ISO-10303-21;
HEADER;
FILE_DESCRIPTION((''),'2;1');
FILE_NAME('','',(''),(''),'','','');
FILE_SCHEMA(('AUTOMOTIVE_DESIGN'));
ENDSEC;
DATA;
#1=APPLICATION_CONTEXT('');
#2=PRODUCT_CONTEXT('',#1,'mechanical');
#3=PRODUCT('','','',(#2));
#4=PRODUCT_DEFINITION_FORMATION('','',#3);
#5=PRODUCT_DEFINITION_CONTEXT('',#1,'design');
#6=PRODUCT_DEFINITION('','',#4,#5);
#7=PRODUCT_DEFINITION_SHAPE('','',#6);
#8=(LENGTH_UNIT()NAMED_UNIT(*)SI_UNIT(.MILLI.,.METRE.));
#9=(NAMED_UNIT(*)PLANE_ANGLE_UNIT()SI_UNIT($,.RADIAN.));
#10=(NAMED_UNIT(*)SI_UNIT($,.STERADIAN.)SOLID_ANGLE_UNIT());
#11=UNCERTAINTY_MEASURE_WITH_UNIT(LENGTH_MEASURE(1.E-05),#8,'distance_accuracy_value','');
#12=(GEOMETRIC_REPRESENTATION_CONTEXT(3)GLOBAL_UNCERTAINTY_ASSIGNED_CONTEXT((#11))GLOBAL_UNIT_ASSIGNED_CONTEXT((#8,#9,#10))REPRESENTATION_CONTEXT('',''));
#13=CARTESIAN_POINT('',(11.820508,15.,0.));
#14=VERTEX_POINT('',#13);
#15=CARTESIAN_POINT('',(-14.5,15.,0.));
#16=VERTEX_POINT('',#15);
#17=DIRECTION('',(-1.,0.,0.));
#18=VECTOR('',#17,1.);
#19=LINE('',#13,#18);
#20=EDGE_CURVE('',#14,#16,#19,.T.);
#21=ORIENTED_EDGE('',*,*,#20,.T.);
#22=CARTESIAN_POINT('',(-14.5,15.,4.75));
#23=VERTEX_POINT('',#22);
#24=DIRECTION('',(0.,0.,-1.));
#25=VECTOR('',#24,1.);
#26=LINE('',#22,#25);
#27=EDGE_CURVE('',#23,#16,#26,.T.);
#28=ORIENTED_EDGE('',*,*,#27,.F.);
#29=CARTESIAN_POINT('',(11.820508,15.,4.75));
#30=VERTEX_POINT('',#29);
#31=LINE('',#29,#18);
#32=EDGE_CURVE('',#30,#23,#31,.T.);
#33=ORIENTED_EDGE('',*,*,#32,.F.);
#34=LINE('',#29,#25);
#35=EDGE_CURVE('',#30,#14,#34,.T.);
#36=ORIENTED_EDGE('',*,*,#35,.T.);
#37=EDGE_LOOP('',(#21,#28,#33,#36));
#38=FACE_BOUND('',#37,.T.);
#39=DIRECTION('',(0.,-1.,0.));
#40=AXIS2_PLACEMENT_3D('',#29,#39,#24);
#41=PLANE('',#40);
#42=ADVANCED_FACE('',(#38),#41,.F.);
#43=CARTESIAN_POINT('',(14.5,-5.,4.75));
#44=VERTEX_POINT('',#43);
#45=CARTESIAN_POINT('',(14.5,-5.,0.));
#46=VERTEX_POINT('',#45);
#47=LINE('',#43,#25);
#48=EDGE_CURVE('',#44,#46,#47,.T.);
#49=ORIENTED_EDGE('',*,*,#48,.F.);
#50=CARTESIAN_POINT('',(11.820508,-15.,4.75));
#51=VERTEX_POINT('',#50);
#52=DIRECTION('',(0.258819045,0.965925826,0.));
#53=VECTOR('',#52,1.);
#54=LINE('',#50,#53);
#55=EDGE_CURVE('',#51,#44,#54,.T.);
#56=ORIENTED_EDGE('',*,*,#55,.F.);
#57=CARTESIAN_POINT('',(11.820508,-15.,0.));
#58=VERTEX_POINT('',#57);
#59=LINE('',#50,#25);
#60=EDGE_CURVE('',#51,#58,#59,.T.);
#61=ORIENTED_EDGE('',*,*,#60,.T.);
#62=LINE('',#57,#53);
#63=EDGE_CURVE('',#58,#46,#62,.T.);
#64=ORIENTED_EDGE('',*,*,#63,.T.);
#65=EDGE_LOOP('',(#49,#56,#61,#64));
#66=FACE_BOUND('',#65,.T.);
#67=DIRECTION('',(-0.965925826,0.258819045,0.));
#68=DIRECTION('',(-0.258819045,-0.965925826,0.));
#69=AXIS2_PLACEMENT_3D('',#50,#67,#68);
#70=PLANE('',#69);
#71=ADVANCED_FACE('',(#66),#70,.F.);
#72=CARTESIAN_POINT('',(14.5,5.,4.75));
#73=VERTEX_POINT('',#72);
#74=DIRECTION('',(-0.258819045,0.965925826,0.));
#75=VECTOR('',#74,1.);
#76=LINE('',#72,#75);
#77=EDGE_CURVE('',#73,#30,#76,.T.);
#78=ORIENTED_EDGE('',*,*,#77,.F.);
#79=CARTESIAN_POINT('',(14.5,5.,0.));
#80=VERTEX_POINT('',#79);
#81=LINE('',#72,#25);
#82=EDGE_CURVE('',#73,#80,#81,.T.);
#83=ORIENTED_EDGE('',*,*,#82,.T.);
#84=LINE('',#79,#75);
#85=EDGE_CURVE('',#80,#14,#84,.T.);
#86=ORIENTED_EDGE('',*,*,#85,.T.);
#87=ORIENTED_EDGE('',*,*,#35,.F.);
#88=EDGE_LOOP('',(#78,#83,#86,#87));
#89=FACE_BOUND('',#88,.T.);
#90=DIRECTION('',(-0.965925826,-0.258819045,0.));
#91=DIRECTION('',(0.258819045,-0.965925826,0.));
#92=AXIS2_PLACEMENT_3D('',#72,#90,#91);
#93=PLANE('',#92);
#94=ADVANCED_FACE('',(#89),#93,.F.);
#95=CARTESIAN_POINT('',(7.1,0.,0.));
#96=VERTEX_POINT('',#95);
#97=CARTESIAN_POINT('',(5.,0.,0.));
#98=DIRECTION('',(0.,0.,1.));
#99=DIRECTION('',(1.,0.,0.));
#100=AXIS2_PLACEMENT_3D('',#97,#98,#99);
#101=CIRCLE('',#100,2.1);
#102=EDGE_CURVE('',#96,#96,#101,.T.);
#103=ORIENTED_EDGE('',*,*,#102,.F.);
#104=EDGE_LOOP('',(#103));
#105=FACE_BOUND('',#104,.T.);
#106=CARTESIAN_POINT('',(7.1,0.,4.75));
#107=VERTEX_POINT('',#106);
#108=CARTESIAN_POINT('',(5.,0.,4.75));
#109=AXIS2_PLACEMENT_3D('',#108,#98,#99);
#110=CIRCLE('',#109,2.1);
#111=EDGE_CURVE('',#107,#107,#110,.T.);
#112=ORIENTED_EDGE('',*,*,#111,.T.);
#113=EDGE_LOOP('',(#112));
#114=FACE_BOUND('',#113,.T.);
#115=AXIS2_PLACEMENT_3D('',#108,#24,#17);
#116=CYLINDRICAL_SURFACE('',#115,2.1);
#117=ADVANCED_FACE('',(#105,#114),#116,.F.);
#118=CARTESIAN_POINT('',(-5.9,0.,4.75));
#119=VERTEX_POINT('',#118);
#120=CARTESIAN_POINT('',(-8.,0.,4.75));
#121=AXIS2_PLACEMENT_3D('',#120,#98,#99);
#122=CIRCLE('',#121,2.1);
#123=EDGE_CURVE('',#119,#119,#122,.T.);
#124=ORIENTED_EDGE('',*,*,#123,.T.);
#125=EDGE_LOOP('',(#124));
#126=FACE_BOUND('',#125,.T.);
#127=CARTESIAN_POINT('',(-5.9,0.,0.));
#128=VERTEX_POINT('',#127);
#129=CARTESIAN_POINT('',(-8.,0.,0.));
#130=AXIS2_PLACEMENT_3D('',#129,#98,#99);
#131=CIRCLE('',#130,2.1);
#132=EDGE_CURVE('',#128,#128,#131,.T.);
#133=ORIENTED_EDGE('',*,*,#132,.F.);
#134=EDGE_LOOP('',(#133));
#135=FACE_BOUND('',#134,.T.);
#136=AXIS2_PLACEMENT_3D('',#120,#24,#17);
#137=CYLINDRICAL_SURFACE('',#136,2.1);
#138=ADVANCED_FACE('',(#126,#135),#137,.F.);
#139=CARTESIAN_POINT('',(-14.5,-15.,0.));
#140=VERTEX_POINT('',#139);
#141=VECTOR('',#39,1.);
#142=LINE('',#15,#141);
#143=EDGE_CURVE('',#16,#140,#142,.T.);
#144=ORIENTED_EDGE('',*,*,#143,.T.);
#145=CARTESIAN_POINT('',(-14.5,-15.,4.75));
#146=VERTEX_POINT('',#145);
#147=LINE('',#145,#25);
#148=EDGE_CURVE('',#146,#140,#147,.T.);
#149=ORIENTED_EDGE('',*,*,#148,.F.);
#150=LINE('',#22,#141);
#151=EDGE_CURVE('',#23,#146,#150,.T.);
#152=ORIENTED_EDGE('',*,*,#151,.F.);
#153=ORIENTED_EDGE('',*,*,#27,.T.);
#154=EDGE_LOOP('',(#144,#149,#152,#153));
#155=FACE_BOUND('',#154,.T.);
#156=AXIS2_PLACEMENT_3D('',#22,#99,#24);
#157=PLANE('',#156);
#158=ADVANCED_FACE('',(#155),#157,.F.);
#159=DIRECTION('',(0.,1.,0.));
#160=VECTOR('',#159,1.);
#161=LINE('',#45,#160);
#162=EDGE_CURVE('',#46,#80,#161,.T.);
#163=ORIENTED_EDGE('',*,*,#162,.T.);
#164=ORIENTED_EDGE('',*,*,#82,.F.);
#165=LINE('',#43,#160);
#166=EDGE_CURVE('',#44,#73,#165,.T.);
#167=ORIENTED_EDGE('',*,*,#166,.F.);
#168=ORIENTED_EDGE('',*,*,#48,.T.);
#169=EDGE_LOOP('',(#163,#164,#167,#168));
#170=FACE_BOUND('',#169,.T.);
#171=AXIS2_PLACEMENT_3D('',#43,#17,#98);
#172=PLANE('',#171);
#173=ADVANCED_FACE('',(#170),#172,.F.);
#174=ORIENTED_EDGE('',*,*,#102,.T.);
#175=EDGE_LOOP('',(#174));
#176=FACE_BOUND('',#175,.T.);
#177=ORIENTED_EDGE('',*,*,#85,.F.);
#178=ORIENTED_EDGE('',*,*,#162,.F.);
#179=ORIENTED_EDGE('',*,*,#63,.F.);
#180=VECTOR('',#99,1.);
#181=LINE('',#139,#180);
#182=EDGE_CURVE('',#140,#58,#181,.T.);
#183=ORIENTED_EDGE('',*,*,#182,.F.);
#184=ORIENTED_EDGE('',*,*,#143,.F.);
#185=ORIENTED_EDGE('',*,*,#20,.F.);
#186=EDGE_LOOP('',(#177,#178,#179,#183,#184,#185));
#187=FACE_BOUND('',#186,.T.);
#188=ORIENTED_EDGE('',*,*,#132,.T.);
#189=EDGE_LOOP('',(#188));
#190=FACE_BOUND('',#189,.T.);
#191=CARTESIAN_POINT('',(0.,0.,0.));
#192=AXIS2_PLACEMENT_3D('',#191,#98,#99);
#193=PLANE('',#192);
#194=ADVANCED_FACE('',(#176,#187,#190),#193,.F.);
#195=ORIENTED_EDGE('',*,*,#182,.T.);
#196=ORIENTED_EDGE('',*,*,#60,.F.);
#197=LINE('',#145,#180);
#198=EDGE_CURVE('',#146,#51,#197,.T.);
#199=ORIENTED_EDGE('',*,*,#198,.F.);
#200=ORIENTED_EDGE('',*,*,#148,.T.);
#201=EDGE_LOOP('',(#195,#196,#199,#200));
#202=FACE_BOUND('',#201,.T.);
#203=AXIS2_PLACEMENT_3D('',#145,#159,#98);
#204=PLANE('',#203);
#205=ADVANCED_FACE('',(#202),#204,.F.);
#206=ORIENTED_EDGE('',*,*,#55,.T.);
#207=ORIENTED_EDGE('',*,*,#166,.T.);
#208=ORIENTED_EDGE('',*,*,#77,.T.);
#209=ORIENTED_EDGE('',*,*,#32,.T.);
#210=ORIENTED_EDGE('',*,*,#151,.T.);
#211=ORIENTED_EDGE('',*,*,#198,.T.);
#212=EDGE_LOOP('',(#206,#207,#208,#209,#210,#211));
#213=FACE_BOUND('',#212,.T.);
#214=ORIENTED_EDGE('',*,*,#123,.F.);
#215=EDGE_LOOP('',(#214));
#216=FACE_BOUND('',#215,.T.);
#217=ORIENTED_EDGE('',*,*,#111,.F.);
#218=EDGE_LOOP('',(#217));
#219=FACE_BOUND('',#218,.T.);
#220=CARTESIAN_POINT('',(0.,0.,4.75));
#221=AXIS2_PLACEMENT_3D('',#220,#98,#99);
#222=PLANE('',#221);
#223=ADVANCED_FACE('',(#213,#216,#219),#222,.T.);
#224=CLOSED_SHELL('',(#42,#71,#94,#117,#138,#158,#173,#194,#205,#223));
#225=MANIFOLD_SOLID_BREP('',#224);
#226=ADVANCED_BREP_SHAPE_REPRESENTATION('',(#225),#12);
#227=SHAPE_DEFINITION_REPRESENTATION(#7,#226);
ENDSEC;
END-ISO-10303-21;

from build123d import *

# Parameters (mm, degrees)
SKIZZE1_R                       = 2.1
AUFSATZ_LINEAR_AUSTRAGEN1_DEPTH = 4.75


with BuildPart() as part:
    # Skizze1 → Aufsatz-Linear austragen1 (new body)
    with BuildSketch(Plane.XY):
        Polygon((-14.5, 15), (-14.5, -15), (11.820508076, -15), (14.5, -5), (14.5, 5), (11.820508076, 15), align=None)
        with Locations((5, 0)):
            Circle(SKIZZE1_R, mode=Mode.SUBTRACT)
        with Locations((-8, 0)):
            Circle(SKIZZE1_R, mode=Mode.SUBTRACT)
    extrude(amount=AUFSATZ_LINEAR_AUSTRAGEN1_DEPTH)


solid = part.part
